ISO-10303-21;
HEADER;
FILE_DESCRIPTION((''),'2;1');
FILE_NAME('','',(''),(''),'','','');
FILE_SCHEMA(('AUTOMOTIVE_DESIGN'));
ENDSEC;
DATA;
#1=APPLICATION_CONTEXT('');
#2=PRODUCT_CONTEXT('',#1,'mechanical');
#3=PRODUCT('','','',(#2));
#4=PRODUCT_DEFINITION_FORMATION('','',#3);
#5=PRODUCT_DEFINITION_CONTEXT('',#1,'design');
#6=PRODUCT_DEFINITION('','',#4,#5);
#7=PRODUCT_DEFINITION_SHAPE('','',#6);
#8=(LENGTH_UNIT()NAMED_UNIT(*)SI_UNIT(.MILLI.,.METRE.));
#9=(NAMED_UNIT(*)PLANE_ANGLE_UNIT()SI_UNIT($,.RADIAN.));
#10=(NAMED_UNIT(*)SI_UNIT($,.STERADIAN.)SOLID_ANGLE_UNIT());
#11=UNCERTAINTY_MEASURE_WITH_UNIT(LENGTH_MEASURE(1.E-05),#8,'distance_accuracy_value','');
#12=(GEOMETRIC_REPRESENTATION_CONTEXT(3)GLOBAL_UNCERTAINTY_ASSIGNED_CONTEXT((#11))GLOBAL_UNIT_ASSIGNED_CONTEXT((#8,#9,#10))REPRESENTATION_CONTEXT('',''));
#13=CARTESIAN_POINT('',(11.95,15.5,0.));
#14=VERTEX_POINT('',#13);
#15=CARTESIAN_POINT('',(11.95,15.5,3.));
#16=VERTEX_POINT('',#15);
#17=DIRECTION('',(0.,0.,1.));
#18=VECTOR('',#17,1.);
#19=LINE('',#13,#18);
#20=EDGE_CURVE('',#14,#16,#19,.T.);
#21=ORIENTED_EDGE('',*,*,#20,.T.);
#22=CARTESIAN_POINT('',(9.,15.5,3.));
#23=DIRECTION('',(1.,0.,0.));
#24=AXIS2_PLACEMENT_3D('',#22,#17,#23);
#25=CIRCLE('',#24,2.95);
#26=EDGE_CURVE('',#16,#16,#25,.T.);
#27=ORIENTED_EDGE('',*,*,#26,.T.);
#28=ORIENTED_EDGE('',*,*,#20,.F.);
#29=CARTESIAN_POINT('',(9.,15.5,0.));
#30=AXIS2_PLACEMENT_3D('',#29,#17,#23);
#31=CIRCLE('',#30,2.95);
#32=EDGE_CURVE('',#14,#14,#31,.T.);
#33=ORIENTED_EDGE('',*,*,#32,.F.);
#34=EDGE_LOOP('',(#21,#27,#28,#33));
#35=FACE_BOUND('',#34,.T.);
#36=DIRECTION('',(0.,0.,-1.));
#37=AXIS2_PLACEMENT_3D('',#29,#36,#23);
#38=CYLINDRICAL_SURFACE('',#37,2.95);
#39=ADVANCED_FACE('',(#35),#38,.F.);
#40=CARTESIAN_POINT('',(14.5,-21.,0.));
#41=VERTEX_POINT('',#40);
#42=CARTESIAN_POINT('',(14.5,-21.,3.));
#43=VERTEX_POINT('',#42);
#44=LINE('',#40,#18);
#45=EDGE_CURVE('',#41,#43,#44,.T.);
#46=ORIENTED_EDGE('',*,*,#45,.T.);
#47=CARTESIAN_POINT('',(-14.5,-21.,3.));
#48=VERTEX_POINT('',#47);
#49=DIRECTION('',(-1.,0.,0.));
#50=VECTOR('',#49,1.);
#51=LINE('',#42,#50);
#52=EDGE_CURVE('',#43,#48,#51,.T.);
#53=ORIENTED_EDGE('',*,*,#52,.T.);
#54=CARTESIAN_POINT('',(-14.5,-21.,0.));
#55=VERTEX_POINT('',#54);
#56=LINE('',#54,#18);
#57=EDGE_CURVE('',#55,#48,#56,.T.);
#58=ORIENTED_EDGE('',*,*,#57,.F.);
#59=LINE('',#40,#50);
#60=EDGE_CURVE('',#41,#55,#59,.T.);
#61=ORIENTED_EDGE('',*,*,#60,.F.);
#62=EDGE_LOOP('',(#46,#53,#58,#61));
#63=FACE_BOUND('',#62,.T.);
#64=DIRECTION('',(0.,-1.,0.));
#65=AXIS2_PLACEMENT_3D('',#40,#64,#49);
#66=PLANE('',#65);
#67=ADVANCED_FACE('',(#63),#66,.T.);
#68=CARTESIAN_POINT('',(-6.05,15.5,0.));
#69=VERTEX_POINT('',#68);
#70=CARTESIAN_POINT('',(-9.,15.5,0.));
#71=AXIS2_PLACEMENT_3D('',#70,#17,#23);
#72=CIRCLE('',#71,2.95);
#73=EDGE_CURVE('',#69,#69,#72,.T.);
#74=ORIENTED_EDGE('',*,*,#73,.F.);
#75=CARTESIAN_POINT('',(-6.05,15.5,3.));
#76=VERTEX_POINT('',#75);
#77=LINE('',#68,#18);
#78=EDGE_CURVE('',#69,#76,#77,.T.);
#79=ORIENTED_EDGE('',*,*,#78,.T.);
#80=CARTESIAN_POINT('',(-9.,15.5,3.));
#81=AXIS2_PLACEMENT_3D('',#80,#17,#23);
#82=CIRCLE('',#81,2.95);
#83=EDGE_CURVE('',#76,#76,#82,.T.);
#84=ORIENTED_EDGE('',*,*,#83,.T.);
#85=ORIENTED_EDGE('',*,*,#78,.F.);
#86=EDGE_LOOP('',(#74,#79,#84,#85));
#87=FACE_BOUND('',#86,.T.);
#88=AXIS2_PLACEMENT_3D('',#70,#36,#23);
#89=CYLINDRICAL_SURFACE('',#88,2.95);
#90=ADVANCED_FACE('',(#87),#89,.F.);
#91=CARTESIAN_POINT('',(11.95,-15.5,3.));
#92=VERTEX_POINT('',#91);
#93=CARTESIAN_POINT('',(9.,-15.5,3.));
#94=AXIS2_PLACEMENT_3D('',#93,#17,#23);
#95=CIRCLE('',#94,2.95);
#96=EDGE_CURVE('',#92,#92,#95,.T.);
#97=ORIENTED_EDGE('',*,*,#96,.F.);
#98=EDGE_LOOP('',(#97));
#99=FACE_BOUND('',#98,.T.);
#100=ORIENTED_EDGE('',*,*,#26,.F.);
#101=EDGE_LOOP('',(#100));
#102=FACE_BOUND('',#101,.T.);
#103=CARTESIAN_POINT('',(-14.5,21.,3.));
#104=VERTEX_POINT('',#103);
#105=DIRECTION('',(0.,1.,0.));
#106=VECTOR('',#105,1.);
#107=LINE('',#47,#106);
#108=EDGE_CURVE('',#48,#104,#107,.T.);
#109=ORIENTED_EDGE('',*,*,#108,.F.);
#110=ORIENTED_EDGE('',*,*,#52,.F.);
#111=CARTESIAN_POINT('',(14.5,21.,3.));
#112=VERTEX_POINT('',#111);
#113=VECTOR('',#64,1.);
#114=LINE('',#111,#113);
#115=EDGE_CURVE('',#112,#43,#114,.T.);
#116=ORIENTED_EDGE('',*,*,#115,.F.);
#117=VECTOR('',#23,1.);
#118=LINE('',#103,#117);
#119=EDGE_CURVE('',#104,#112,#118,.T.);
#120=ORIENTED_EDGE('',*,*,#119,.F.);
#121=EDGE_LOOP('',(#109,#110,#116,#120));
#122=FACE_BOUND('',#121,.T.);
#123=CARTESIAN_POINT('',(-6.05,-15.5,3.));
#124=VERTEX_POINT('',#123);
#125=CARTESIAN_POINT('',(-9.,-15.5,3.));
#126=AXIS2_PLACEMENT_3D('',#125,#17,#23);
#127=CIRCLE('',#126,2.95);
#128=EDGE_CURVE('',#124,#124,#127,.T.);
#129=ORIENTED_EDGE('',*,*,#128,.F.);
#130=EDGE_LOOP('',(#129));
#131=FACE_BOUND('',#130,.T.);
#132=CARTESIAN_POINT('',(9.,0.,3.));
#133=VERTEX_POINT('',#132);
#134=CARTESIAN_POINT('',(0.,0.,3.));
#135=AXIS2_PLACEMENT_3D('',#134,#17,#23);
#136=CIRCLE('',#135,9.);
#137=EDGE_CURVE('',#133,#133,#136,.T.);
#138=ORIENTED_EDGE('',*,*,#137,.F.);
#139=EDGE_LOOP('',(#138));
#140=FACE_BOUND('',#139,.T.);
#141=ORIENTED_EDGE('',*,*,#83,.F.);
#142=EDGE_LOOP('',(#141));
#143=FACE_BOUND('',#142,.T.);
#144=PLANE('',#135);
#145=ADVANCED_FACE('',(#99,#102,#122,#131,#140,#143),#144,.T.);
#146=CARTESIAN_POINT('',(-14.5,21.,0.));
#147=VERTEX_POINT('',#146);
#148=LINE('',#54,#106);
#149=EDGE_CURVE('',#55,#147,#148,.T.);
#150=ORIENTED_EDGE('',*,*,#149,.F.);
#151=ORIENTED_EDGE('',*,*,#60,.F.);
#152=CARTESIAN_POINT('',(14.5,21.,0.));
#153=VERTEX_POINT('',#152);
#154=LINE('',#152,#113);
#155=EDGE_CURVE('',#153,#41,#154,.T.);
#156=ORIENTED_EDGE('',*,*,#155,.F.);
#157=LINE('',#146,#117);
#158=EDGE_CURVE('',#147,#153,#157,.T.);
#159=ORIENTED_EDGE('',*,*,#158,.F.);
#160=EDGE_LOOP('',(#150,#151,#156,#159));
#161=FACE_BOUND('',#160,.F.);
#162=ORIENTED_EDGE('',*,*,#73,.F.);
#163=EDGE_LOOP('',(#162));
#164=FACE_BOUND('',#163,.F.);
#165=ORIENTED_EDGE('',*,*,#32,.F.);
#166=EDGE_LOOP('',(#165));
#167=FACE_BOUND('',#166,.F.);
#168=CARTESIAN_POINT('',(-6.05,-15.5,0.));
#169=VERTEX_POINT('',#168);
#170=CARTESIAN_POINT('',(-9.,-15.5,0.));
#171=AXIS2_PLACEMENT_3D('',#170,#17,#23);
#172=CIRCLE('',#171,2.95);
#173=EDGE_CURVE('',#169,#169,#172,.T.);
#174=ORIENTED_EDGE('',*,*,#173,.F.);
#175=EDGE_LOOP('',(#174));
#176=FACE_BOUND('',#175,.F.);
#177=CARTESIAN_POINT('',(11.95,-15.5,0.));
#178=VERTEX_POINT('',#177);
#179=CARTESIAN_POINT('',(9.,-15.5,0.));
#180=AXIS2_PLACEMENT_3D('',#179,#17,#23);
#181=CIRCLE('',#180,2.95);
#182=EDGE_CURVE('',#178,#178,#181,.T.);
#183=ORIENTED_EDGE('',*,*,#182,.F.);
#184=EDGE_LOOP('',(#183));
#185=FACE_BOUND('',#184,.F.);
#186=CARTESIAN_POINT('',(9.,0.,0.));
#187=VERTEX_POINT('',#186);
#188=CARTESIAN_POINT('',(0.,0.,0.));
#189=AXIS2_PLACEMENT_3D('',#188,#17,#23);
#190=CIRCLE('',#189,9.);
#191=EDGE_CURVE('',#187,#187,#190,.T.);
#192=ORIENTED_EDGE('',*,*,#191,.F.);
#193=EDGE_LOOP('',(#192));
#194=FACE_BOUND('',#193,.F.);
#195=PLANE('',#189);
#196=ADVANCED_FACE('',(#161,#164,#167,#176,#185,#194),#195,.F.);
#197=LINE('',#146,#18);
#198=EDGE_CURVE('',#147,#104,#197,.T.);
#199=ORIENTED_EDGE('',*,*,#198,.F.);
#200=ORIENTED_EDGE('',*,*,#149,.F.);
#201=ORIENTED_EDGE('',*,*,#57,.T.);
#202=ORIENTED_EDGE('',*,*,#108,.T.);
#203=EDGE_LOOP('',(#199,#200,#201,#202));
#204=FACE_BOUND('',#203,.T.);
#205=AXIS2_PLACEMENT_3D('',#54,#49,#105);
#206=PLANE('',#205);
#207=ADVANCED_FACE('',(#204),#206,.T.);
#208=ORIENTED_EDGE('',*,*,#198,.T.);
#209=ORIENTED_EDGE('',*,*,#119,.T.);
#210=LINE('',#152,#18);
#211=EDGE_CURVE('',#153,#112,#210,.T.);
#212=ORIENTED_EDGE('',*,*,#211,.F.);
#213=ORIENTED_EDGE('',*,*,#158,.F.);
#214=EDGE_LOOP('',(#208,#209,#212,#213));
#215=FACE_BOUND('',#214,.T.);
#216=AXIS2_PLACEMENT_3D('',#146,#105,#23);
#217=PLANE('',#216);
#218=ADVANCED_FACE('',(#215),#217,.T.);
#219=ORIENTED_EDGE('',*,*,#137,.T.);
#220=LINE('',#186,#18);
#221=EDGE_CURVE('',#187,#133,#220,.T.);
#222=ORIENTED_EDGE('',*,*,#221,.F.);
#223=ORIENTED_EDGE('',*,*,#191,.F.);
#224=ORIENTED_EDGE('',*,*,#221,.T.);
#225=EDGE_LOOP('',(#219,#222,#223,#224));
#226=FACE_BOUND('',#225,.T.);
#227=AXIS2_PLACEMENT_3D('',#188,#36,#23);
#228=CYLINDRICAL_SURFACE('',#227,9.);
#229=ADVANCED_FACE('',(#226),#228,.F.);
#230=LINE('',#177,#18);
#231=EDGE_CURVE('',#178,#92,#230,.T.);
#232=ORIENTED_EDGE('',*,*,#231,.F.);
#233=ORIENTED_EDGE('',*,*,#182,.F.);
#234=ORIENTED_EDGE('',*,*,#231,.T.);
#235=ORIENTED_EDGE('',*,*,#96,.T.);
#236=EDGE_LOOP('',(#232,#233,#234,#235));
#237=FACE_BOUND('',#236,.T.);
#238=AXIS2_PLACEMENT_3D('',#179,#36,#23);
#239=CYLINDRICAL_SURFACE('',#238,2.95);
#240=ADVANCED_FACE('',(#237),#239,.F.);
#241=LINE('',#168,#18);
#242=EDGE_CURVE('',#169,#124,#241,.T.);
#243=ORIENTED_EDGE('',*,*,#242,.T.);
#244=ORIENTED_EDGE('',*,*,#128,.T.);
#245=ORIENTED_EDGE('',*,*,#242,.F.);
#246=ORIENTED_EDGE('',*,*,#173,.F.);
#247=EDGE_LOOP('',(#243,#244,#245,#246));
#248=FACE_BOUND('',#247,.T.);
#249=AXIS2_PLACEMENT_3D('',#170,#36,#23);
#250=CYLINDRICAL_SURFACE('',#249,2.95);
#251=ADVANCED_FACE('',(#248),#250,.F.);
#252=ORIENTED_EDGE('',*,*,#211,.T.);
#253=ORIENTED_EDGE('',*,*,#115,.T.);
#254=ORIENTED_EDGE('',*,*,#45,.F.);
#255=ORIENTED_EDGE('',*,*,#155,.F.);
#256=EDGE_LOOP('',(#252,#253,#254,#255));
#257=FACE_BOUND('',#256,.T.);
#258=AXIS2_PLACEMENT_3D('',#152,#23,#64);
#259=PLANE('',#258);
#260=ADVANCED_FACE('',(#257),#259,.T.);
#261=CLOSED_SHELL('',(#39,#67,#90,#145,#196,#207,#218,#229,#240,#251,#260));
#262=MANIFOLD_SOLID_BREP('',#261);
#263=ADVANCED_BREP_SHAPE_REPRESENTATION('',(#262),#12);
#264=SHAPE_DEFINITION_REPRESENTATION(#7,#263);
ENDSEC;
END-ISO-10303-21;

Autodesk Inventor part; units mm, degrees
ref_plane "YZ Plane" through (0, 0, 0) normal (1, 0, 0) x (0, 1, 0)
ref_plane "XZ Plane" through (0, 0, 0) normal (0, 1, 0) x (-1, 0, 0)
ref_plane "XY Plane" through (0, 0, 0) normal (0, 0, 1) x (1, 0, 0)
sketch "草圖1" plane through (0, 0, 0) normal (0, 0, 1) x (1, 0, 0)
  line L0 (-14.5, 21) -> (14.5, 21)
  line L1 (14.5, 21) -> (14.5, -21)
  line L2 (14.5, -21) -> (-14.5, -21)
  line L3 (-14.5, -21) -> (-14.5, 21)
  line L4 (-14.5, 21) -> (14.5, -21) construction
  line L5 (14.5, 21) -> (-14.5, -21) construction
  circle A0 centre (0, 0) radius 9
  line L6 (-9, 15.5) -> (9, 15.5) construction
  line L7 (9, 15.5) -> (9, -15.5) construction
  line L8 (9, -15.5) -> (-9, -15.5) construction
  line L9 (-9, -15.5) -> (-9, 15.5) construction
  line L10 (-9, 15.5) -> (9, -15.5) construction
  line L11 (9, 15.5) -> (-9, -15.5) construction
  circle A1 centre (-9, 15.5) radius 2.95
  circle A2 centre (9, 15.5) radius 2.95
  circle A3 centre (-9, -15.5) radius 2.95
  circle A4 centre (9, -15.5) radius 2.95
  dimension "d0" = 29
  dimension "d1" = 42
  dimension "d2" = 18
  dimension "d3" = 18
  dimension "d4" = 31
  dimension "d5" = 5.9
  dimension "d6" = 5.9
  dimension "d7" = 5.9
  dimension "d8" = 5.9
extrude "擠出1" add sketch "草圖1" along normal blind 3
equation "\"折彎半徑\" = 厚度"
equation "\"折彎離隙寬度\" = 厚度"
equation "\"折彎離隙深度\" = 0.5 * 厚度"
equation "\"轉角離隙大小\" = 4 * 厚度"
equation "\"最小剩餘\" = 2 * 厚度"
equation "\"轉移半徑\" = 折彎半徑"
equation "\"Jacobi半徑大小\" = 折彎半徑"
equation "\"間隙大小\" = 厚度"
equation "\"厚度\" = 3.048"
